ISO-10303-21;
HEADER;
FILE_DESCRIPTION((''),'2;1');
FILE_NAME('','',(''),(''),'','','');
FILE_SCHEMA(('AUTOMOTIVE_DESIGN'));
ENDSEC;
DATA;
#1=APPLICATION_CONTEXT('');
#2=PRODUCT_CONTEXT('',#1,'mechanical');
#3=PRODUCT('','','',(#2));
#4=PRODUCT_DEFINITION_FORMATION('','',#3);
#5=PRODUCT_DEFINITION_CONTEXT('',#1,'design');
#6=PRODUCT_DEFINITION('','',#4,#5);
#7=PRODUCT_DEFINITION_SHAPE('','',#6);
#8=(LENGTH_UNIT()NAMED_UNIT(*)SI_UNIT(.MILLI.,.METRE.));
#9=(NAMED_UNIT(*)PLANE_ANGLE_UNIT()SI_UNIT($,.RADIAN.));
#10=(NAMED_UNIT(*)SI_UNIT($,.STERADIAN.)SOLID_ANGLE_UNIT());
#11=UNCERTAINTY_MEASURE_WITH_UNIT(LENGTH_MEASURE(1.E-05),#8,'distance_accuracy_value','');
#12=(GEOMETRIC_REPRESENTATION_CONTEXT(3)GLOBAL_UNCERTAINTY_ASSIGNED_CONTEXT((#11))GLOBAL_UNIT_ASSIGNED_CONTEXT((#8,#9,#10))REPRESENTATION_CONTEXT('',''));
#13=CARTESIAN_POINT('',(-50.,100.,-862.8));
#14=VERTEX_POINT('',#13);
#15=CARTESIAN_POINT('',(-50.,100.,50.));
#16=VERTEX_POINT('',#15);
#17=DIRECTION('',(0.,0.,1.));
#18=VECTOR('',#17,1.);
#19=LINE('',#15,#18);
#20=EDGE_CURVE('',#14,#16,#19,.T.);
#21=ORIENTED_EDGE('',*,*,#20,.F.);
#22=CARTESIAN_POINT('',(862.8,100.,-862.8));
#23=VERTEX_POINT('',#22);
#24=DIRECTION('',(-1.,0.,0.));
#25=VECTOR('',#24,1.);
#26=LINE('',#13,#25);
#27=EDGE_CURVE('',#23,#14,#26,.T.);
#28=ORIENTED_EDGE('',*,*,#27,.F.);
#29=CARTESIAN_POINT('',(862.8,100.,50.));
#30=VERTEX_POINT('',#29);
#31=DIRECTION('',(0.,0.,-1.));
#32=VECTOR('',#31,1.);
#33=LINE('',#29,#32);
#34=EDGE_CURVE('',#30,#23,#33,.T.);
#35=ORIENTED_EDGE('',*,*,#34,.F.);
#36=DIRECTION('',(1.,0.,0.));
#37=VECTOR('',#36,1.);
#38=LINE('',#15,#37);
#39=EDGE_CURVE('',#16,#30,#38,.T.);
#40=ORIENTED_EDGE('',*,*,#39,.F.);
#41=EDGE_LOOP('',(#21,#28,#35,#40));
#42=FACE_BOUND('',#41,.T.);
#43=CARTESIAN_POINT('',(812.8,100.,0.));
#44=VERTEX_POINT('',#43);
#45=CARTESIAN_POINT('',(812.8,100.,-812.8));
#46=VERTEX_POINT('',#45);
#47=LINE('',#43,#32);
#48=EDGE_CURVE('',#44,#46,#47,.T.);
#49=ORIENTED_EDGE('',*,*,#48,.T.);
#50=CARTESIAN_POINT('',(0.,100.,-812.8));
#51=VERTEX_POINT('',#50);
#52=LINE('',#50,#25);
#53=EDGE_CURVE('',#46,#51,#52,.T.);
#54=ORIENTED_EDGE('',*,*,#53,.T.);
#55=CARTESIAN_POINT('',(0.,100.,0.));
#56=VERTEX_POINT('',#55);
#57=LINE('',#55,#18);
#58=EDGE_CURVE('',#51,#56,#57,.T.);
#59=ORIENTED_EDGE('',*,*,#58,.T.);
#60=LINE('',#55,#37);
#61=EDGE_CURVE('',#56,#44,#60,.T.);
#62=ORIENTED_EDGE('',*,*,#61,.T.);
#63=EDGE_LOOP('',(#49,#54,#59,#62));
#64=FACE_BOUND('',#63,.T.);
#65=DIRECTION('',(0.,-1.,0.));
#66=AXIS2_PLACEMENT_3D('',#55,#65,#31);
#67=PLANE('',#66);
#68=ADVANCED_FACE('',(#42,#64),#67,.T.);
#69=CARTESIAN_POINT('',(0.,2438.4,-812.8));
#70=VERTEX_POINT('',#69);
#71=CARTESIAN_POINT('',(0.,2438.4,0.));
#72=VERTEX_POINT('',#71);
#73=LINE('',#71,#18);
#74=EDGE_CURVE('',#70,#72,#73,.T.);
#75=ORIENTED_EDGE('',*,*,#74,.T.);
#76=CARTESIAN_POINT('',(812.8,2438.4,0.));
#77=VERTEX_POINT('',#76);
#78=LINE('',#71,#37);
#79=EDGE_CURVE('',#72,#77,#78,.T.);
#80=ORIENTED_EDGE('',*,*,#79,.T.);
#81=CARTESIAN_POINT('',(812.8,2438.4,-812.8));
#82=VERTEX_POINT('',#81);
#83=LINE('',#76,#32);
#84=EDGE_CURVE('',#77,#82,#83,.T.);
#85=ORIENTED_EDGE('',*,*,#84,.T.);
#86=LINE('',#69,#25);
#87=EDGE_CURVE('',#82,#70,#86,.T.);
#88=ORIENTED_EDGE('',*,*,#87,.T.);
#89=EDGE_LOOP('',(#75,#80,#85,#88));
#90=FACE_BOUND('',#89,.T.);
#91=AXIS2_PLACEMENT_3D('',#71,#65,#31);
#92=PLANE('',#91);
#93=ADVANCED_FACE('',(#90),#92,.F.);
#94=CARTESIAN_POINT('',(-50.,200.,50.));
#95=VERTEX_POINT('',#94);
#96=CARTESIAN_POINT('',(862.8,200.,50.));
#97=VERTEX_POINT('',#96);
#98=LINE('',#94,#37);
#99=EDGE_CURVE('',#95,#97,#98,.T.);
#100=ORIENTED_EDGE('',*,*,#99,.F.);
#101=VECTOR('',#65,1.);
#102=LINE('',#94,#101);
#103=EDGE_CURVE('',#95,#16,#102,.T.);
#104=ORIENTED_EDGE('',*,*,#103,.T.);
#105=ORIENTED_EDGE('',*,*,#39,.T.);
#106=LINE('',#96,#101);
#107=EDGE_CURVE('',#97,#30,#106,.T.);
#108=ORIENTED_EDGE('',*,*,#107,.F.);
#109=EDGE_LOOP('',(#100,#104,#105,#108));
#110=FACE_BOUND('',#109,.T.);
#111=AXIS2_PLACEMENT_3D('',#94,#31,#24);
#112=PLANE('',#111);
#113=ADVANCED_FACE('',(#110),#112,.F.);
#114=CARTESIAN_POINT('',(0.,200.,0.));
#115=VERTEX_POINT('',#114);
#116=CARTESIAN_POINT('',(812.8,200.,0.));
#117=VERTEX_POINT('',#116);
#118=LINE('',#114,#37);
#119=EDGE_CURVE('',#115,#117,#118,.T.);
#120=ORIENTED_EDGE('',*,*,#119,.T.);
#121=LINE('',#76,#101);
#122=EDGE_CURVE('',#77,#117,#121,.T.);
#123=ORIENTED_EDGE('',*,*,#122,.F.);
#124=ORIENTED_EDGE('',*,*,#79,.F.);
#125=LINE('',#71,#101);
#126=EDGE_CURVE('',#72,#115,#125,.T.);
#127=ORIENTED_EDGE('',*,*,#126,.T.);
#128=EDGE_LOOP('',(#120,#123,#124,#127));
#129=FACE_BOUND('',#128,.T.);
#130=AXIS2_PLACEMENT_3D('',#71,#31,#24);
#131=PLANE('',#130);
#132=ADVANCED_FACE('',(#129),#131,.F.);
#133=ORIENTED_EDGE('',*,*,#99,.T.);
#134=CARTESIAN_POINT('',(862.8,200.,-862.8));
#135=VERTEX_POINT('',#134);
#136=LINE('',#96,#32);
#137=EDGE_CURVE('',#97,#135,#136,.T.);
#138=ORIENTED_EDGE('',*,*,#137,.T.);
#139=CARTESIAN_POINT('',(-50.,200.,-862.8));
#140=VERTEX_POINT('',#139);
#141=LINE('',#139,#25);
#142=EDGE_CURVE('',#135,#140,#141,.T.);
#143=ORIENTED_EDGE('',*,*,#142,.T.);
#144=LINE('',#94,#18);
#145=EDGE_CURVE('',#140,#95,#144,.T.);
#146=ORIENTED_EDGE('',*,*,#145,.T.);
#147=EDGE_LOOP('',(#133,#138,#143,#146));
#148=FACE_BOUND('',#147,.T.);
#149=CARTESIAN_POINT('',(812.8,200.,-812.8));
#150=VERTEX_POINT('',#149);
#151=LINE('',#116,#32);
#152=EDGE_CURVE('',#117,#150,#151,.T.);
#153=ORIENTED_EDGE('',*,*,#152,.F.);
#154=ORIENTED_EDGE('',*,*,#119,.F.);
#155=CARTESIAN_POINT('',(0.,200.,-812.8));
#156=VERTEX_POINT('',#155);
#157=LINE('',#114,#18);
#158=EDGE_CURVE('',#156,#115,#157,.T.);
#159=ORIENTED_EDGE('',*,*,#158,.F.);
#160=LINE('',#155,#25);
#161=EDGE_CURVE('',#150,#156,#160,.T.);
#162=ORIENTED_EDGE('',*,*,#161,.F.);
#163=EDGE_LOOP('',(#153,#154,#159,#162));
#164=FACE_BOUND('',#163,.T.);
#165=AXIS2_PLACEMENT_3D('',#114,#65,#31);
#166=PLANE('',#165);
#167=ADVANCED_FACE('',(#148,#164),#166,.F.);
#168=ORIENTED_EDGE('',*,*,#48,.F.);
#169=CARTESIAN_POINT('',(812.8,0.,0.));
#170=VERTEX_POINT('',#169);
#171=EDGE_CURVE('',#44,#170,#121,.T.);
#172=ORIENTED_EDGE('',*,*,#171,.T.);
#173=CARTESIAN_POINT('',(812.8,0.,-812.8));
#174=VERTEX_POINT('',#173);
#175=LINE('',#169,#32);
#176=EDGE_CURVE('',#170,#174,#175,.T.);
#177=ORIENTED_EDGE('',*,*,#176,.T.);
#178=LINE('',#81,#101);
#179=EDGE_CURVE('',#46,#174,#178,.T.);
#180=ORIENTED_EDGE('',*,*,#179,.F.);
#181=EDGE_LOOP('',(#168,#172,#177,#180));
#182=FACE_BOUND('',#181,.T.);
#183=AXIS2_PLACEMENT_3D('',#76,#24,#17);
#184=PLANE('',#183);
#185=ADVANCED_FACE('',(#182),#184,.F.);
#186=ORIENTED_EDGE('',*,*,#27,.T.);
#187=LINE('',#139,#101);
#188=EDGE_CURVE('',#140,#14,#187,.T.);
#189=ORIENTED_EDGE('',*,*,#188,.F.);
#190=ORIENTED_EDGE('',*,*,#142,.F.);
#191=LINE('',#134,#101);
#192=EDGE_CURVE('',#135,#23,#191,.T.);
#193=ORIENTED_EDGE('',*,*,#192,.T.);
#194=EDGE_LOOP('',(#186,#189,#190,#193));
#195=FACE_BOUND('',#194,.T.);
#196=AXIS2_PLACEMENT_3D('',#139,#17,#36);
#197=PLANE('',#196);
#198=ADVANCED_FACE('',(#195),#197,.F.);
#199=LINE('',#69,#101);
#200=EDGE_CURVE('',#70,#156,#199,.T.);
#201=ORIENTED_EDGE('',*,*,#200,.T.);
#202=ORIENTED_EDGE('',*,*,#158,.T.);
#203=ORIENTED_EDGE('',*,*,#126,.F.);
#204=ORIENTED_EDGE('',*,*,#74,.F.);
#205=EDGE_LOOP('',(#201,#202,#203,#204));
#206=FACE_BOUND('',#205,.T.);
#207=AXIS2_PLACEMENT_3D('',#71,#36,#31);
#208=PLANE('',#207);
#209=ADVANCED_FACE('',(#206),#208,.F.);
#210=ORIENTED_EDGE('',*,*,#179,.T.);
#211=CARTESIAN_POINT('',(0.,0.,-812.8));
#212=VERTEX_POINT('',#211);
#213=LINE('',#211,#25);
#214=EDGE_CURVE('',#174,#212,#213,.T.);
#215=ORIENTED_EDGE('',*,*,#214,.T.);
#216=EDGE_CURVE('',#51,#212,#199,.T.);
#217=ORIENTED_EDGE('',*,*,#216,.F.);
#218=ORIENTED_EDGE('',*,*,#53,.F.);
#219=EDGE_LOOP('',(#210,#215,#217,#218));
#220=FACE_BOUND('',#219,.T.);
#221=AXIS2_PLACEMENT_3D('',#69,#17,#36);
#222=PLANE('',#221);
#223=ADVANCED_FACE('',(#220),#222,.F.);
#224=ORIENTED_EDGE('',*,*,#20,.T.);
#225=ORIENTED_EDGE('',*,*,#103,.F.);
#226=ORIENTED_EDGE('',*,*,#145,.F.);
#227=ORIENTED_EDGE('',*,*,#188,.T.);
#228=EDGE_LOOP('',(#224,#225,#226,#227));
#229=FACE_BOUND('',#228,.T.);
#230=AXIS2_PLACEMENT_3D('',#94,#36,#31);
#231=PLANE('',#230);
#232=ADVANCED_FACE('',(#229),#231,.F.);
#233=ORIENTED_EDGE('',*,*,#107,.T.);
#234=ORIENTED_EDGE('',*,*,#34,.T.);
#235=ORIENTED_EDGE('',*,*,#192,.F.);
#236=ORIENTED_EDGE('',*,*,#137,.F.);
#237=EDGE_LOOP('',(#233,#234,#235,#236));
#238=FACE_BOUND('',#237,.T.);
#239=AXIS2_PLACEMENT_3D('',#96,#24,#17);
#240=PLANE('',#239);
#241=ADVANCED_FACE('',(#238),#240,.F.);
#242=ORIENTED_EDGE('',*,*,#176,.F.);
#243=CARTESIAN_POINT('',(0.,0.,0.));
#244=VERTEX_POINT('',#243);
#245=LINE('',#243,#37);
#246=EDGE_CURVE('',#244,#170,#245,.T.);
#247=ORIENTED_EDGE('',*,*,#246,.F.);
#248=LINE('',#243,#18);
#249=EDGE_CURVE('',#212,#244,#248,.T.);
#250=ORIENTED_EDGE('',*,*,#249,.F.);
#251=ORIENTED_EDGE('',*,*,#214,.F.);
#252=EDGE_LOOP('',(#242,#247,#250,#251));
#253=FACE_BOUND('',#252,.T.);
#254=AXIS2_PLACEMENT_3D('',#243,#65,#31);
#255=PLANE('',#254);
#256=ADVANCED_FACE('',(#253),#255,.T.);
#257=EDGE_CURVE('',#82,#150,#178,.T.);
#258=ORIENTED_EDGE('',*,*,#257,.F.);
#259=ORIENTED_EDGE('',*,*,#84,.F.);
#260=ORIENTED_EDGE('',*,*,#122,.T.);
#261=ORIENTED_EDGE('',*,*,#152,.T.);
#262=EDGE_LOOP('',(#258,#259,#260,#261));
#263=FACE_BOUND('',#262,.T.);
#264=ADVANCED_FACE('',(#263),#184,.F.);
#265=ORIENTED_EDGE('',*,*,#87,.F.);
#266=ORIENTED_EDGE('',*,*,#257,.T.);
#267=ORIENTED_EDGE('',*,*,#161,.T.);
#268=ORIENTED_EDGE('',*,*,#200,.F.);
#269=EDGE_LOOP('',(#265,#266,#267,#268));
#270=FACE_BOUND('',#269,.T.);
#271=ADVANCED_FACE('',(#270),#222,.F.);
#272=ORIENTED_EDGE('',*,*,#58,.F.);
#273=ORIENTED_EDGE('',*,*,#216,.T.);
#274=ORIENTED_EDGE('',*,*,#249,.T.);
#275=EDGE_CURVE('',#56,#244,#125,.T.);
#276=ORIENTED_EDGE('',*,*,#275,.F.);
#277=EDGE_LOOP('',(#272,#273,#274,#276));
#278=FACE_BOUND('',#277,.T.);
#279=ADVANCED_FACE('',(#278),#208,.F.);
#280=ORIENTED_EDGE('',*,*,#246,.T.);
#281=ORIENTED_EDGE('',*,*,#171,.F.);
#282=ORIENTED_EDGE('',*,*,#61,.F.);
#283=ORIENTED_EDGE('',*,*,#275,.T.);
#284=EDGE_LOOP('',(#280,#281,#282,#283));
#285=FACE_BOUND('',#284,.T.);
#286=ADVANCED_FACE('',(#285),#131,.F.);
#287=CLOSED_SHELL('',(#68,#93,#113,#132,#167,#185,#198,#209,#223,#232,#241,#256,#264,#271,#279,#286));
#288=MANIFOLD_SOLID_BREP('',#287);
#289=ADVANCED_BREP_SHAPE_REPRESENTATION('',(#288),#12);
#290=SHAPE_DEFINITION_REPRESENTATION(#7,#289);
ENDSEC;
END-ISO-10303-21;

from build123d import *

# Parameters (mm, degrees)
SKETCH2_W           = 812.8
SKETCH2_H           = 812.8
BOSS_EXTRUDE1_DEPTH = 2438.4
SKETCH3_W           = 912.8
SKETCH3_H           = 912.8
SKETCH3_W_2         = 812.8
SKETCH3_H_2         = 812.8
BOSS_EXTRUDE2_DEPTH = 100


with BuildPart() as part:
    # Sketch2 → Boss-Extrude1 (new body)
    with BuildSketch(Plane(origin=(0, 0, 0), x_dir=(1, 0, 0), z_dir=(0, 1, 0))):
        with Locations((406.4, 406.4)):
            Rectangle(SKETCH2_W, SKETCH2_H)
    extrude(amount=BOSS_EXTRUDE1_DEPTH)

    # Sketch3 → Boss-Extrude2 (add)
    with BuildSketch(Plane(origin=(0, 100, 0), x_dir=(1, 0, 0), z_dir=(0, 1, 0))):
        with Locations((406.4, 406.4)):
            Rectangle(SKETCH3_W, SKETCH3_H)
        with Locations((406.4, 406.4)):
            Rectangle(SKETCH3_W_2, SKETCH3_H_2, mode=Mode.SUBTRACT)
    extrude(amount=BOSS_EXTRUDE2_DEPTH)


solid = part.part
